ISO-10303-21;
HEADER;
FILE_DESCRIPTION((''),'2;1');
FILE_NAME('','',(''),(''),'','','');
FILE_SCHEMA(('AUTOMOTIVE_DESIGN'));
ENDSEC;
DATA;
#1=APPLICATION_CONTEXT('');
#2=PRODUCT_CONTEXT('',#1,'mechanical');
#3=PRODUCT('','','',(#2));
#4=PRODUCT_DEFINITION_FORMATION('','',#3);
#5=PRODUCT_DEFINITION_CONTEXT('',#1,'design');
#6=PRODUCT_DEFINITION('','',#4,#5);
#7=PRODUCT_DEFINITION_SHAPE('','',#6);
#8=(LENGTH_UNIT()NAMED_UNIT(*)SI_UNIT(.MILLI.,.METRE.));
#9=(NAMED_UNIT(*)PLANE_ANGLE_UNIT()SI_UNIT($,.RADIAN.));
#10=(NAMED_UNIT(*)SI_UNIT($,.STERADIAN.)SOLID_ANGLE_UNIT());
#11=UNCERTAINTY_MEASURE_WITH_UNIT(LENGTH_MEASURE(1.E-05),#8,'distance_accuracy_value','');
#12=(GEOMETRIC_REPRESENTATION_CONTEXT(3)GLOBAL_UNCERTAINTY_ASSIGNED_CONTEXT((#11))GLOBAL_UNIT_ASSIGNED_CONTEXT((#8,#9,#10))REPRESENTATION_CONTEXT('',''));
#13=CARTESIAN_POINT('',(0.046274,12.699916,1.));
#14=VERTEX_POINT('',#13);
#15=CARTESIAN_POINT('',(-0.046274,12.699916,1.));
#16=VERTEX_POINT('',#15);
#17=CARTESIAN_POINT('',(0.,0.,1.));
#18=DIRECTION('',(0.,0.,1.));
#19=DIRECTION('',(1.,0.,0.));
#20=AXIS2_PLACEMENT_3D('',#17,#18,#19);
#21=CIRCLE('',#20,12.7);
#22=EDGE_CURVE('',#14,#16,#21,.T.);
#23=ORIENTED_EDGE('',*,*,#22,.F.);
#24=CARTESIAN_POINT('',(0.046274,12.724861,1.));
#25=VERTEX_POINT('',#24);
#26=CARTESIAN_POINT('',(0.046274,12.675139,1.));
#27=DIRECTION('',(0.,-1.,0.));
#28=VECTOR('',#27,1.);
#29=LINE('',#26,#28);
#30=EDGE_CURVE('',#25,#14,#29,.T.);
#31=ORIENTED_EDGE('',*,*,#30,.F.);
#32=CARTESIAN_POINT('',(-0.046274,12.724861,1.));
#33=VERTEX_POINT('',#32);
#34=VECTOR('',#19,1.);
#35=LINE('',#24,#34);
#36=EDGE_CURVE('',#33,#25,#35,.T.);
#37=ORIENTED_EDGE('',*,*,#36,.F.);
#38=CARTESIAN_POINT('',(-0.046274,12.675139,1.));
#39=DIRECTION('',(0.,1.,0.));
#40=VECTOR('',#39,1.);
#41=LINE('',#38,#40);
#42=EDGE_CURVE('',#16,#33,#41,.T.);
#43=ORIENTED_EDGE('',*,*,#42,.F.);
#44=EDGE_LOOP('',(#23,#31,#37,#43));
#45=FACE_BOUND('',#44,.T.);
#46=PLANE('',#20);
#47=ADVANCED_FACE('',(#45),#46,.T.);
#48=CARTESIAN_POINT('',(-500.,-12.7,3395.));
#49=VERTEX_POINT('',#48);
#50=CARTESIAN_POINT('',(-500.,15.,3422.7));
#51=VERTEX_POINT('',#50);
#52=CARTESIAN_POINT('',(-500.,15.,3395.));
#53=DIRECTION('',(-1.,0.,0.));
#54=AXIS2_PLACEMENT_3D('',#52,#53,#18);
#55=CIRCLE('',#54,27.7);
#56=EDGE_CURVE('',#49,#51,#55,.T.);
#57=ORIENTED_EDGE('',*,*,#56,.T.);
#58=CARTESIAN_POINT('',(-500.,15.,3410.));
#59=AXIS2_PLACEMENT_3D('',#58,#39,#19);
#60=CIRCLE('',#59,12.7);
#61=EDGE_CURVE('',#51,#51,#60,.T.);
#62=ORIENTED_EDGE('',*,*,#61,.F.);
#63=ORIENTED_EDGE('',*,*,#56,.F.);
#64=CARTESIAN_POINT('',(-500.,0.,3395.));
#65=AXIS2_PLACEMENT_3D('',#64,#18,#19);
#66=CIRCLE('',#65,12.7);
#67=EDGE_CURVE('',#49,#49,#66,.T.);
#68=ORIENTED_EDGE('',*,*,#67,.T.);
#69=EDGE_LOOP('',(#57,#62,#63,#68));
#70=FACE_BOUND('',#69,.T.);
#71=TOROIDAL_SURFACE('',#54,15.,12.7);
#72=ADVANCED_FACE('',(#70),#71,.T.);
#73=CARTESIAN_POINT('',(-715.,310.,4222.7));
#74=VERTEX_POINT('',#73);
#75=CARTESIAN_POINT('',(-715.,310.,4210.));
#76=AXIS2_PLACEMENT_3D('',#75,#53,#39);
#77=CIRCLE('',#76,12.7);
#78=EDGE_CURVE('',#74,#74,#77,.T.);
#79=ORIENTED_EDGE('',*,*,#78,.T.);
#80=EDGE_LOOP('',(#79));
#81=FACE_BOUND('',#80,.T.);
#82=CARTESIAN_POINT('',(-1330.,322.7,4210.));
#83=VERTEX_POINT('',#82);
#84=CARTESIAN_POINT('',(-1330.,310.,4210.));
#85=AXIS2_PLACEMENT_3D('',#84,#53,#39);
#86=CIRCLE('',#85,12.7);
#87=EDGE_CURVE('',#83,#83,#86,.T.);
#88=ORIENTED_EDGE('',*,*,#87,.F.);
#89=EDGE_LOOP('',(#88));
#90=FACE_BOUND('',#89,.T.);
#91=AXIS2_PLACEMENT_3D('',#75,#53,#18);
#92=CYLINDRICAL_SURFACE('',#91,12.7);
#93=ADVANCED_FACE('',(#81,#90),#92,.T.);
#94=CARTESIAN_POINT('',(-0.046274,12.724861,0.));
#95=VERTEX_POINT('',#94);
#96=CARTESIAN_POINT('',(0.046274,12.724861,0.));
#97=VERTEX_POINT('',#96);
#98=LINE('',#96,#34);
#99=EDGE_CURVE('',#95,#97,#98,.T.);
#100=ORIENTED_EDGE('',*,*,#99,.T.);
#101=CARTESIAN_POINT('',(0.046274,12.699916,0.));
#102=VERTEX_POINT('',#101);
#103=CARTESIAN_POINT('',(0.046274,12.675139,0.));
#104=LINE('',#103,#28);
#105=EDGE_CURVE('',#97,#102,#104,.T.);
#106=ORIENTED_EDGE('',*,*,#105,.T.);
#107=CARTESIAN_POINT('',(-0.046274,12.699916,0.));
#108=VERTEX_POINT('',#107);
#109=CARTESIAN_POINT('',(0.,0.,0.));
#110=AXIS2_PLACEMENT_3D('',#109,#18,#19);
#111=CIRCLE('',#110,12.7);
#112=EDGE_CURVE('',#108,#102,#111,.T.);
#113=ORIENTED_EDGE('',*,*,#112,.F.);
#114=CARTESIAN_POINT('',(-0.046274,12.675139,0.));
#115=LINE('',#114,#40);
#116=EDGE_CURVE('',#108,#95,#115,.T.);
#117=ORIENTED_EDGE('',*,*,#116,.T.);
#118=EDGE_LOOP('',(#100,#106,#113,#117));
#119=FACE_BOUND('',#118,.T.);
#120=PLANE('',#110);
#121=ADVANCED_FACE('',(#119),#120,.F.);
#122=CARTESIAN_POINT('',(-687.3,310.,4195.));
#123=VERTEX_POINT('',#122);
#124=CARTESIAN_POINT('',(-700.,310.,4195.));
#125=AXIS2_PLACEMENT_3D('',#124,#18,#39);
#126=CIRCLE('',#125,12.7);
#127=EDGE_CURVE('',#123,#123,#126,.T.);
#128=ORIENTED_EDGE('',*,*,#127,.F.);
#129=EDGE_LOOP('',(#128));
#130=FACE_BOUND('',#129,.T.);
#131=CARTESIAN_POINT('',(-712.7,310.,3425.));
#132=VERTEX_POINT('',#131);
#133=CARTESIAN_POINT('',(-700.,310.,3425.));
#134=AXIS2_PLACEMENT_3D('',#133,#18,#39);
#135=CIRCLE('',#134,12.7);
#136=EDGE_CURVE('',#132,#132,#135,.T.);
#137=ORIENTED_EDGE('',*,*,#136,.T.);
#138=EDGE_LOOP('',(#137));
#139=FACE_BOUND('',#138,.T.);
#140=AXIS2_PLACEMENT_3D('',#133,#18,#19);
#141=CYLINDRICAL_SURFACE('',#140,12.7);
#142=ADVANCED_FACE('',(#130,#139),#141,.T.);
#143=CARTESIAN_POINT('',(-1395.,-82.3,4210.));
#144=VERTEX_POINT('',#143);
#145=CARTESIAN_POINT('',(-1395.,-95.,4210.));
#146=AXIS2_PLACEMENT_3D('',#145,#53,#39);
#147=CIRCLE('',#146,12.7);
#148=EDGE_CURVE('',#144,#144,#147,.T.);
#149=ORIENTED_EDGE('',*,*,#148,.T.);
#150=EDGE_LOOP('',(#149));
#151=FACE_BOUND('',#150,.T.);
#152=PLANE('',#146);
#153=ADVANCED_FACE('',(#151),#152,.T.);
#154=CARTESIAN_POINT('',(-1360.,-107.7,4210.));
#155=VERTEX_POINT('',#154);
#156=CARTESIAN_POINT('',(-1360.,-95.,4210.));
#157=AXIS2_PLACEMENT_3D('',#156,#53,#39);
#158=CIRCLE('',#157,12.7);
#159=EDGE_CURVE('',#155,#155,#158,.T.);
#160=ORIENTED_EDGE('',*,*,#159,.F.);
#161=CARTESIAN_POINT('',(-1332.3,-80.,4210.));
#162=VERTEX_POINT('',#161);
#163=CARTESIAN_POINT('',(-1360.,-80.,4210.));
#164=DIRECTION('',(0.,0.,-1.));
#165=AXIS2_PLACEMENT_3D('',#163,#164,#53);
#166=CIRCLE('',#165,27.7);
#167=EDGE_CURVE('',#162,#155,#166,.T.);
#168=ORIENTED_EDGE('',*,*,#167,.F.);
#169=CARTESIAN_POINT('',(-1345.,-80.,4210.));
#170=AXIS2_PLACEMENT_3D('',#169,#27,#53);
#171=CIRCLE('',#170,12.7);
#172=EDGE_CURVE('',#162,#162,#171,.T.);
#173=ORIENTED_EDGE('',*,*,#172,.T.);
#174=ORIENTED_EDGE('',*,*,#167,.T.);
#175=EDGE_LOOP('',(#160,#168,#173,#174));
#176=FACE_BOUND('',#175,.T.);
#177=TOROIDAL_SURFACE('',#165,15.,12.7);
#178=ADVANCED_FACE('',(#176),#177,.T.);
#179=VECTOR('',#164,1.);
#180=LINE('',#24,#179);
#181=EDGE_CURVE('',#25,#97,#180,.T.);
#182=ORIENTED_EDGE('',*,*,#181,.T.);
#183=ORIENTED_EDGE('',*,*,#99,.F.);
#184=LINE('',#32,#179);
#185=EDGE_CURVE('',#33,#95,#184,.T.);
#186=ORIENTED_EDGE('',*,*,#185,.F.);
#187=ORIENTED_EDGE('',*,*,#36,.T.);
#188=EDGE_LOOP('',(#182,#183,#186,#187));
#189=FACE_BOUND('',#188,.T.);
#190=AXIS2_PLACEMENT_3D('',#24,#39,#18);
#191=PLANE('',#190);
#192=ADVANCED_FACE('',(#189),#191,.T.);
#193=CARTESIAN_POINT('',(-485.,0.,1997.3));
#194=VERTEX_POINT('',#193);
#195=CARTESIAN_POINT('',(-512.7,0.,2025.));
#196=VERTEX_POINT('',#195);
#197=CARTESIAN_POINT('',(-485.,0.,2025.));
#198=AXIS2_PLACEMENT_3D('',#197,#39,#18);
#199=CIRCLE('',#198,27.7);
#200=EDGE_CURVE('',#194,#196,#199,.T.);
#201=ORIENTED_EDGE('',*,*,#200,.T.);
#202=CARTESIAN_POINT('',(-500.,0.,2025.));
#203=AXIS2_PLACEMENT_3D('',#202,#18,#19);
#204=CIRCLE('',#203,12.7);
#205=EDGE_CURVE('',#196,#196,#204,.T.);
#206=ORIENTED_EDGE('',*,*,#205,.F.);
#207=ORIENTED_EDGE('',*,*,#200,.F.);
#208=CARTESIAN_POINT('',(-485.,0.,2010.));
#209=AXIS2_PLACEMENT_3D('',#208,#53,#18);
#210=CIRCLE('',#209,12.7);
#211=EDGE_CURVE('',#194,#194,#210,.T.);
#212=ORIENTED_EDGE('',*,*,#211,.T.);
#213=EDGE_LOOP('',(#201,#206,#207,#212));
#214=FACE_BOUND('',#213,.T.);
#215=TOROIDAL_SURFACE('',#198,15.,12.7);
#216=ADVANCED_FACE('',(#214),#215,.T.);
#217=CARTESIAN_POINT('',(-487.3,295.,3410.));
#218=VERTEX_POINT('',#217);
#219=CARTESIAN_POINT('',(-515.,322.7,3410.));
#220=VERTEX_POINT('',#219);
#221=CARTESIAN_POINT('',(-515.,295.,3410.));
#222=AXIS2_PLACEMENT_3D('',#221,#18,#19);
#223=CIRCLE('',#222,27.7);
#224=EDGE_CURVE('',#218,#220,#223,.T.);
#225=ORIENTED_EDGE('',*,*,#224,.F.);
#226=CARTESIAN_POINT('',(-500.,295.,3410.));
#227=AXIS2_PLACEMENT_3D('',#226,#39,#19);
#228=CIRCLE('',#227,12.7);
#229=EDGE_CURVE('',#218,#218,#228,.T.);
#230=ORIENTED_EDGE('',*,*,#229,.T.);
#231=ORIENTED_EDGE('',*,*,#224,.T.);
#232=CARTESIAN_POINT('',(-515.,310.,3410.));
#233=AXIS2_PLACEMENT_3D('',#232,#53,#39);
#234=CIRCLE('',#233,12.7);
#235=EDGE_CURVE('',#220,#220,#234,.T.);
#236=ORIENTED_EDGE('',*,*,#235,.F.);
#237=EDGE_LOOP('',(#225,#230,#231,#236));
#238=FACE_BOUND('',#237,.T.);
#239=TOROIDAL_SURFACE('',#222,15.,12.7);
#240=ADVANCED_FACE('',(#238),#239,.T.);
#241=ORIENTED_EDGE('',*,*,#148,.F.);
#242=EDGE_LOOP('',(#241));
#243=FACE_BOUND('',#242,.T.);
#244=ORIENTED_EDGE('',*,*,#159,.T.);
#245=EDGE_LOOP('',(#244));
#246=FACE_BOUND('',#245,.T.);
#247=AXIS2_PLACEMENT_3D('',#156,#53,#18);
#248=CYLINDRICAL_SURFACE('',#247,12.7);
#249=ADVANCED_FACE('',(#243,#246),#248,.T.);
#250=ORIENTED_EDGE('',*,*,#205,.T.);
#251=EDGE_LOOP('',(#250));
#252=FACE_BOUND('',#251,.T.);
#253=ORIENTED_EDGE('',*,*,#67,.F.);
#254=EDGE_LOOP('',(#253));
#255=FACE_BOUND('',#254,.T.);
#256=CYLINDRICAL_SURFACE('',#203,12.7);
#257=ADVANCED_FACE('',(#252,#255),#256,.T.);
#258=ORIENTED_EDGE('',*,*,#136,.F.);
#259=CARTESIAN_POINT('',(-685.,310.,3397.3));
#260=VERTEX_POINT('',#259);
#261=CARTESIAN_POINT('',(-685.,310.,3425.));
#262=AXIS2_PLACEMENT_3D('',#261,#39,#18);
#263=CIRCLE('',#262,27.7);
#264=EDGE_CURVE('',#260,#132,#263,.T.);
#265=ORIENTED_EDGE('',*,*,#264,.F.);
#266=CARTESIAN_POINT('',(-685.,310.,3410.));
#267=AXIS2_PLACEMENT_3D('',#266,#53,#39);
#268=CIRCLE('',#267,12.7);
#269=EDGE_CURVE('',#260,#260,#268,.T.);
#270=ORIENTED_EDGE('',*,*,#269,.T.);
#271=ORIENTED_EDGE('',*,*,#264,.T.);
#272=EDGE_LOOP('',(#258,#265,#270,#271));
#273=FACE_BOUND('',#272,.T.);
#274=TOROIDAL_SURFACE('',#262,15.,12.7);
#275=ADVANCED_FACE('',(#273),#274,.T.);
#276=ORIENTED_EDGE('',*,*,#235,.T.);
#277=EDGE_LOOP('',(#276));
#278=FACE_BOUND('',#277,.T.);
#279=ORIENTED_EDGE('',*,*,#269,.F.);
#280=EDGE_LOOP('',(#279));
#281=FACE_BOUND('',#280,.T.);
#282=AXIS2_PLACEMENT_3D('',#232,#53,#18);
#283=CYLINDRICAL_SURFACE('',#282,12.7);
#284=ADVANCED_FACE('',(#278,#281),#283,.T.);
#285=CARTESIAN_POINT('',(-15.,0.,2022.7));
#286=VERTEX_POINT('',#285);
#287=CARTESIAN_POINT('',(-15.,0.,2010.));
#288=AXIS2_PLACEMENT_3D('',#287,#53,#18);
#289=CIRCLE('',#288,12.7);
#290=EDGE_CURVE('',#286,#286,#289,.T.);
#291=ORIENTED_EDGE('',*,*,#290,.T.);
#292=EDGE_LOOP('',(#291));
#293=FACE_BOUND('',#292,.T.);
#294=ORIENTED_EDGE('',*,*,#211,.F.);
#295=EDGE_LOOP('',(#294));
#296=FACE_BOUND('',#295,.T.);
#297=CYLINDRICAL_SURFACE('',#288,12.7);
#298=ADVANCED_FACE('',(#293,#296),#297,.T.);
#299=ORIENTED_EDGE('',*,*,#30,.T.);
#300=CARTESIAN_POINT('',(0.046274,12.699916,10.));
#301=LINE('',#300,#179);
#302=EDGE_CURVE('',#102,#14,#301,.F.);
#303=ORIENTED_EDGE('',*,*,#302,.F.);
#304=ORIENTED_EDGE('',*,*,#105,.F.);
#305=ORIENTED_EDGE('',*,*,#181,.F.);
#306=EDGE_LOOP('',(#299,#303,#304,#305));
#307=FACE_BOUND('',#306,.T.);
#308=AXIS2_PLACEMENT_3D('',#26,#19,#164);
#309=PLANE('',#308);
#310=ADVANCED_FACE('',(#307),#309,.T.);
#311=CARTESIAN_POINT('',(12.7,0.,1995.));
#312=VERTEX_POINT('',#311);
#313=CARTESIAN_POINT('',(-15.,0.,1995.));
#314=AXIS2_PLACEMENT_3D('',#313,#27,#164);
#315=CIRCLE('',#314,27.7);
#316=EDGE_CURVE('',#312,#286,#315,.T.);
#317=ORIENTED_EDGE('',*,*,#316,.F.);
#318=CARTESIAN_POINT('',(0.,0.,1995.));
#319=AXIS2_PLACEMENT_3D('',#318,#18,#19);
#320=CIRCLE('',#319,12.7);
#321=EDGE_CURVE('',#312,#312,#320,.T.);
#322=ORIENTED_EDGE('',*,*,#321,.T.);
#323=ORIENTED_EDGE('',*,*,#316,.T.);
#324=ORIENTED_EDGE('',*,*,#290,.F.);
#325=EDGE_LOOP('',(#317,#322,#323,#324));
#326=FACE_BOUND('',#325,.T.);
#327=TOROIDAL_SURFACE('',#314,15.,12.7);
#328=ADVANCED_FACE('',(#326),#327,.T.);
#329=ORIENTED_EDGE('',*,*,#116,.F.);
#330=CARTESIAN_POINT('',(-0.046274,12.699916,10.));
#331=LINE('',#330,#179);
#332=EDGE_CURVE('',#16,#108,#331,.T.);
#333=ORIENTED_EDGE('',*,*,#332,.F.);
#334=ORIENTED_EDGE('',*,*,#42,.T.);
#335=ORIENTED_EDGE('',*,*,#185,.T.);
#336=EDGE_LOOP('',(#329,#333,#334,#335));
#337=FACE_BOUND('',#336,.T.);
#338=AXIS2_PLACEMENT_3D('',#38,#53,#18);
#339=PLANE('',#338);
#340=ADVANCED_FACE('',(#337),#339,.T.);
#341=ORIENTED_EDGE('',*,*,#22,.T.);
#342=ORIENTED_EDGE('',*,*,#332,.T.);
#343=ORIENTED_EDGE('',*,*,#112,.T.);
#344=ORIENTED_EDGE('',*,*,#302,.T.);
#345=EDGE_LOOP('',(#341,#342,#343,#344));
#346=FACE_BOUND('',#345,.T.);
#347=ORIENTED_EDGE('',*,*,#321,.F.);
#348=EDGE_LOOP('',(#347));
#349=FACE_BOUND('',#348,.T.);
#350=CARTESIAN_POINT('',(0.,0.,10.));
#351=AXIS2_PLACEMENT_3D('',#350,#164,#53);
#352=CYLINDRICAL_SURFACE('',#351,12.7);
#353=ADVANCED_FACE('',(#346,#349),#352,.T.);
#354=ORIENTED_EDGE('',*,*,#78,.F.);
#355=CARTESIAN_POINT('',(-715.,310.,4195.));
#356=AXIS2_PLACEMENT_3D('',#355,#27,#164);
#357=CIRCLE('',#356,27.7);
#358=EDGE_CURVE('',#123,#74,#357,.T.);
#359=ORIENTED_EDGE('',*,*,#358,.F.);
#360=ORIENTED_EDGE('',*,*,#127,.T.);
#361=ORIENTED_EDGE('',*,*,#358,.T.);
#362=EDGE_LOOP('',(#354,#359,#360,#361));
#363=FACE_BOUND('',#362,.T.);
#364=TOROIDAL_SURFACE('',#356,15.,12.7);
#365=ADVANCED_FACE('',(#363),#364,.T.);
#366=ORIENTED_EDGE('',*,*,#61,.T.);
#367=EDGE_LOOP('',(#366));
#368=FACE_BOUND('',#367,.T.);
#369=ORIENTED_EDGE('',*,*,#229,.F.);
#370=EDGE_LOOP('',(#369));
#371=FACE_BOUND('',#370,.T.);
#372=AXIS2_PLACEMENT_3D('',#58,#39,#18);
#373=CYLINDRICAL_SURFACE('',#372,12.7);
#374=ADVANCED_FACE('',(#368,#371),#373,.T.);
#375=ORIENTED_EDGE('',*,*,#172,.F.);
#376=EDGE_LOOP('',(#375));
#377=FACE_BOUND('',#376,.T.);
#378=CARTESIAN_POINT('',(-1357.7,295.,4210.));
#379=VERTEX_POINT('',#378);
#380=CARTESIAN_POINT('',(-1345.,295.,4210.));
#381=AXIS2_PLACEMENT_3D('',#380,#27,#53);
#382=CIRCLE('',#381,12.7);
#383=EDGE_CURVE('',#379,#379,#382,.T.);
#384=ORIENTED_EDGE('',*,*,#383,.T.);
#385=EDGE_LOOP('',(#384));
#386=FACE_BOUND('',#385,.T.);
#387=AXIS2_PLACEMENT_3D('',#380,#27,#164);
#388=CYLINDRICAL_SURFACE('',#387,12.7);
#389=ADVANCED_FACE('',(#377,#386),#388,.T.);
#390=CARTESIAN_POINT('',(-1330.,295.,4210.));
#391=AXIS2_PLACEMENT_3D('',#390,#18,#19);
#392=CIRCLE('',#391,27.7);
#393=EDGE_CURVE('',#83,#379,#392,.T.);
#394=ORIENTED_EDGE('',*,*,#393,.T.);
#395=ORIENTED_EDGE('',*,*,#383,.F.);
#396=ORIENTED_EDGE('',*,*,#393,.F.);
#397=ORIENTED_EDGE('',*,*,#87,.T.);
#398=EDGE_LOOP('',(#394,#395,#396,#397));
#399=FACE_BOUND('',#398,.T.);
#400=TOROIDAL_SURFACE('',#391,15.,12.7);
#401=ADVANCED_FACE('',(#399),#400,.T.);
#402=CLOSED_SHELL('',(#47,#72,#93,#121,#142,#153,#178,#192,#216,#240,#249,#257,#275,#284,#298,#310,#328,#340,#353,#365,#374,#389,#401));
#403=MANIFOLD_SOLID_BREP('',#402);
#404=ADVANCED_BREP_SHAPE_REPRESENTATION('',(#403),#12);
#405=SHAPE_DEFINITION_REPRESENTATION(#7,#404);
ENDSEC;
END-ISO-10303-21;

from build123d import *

# Parameters (mm, degrees)
CROQUIS1_R              = 12.7
SALIENTE_EXTRUIR1_DEPTH = 10
CROQUIS2_R              = 12.7
CROQUIS3_W              = 0.092547174
CROQUIS3_H              = 0.049722896
SALIENTE_EXTRUIR2_DEPTH = 1


with BuildPart() as part:
    # Croquis1 → Saliente-Extruir1 (new body)
    with BuildSketch(Plane.XY):
        Circle(CROQUIS1_R)
    extrude(amount=SALIENTE_EXTRUIR1_DEPTH)

    # Barrer1: sweep along a curve in space
    with BuildLine() as barrer1_path:
        Line((0, 0, 10), (0, 0, 1995))
        ThreePointArc((0, 0, 1995), (-4.393398282, 0, 2005.606601718), (-15, 0, 2010))
        Line((-15, 0, 2010), (-485, 0, 2010))
        ThreePointArc((-485, 0, 2010), (-495.606601718, 0, 2014.393398282), (-500, 0, 2025))
        Line((-500, 0, 2025), (-500, 0, 3395))
        ThreePointArc((-500, 0, 3395), (-500, 4.393398282, 3405.606601718), (-500, 15, 3410))
        Line((-500, 15, 3410), (-500, 295, 3410))
        ThreePointArc((-500, 295, 3410), (-504.393398282, 305.606601718, 3410), (-515, 310, 3410))
        Line((-515, 310, 3410), (-685, 310, 3410))
        ThreePointArc((-685, 310, 3410), (-695.606601718, 310, 3414.393398282), (-700, 310, 3425))
        Line((-700, 310, 3425), (-700, 310, 4195))
        ThreePointArc((-700, 310, 4195), (-704.393398282, 310, 4205.606601718), (-715, 310, 4210))
        Line((-715, 310, 4210), (-1330, 310, 4210))
        ThreePointArc((-1330, 310, 4210), (-1340.606601718, 305.606601718, 4210), (-1345, 295, 4210))
        Line((-1345, 295, 4210), (-1345, -80, 4210))
        ThreePointArc((-1345, -80, 4210), (-1349.393398282, -90.606601718, 4210), (-1360, -95, 4210))
        Line((-1360, -95, 4210), (-1395, -95, 4210))
    # Croquis2 → Barrer1 (sweep)
    with BuildSketch(Plane.XY.offset(10)):
        Circle(CROQUIS2_R)
    sweep(path=barrer1_path.line)

    # Croquis3 → Saliente-Extruir2 (add)
    with BuildSketch(Plane(origin=(0, 0, 0), x_dir=(-1, 0, 0), z_dir=(0, 0, -1))):
        with Locations((0, 12.7)):
            Rectangle(CROQUIS3_W, CROQUIS3_H)
    extrude(amount=-SALIENTE_EXTRUIR2_DEPTH)


solid = part.part
